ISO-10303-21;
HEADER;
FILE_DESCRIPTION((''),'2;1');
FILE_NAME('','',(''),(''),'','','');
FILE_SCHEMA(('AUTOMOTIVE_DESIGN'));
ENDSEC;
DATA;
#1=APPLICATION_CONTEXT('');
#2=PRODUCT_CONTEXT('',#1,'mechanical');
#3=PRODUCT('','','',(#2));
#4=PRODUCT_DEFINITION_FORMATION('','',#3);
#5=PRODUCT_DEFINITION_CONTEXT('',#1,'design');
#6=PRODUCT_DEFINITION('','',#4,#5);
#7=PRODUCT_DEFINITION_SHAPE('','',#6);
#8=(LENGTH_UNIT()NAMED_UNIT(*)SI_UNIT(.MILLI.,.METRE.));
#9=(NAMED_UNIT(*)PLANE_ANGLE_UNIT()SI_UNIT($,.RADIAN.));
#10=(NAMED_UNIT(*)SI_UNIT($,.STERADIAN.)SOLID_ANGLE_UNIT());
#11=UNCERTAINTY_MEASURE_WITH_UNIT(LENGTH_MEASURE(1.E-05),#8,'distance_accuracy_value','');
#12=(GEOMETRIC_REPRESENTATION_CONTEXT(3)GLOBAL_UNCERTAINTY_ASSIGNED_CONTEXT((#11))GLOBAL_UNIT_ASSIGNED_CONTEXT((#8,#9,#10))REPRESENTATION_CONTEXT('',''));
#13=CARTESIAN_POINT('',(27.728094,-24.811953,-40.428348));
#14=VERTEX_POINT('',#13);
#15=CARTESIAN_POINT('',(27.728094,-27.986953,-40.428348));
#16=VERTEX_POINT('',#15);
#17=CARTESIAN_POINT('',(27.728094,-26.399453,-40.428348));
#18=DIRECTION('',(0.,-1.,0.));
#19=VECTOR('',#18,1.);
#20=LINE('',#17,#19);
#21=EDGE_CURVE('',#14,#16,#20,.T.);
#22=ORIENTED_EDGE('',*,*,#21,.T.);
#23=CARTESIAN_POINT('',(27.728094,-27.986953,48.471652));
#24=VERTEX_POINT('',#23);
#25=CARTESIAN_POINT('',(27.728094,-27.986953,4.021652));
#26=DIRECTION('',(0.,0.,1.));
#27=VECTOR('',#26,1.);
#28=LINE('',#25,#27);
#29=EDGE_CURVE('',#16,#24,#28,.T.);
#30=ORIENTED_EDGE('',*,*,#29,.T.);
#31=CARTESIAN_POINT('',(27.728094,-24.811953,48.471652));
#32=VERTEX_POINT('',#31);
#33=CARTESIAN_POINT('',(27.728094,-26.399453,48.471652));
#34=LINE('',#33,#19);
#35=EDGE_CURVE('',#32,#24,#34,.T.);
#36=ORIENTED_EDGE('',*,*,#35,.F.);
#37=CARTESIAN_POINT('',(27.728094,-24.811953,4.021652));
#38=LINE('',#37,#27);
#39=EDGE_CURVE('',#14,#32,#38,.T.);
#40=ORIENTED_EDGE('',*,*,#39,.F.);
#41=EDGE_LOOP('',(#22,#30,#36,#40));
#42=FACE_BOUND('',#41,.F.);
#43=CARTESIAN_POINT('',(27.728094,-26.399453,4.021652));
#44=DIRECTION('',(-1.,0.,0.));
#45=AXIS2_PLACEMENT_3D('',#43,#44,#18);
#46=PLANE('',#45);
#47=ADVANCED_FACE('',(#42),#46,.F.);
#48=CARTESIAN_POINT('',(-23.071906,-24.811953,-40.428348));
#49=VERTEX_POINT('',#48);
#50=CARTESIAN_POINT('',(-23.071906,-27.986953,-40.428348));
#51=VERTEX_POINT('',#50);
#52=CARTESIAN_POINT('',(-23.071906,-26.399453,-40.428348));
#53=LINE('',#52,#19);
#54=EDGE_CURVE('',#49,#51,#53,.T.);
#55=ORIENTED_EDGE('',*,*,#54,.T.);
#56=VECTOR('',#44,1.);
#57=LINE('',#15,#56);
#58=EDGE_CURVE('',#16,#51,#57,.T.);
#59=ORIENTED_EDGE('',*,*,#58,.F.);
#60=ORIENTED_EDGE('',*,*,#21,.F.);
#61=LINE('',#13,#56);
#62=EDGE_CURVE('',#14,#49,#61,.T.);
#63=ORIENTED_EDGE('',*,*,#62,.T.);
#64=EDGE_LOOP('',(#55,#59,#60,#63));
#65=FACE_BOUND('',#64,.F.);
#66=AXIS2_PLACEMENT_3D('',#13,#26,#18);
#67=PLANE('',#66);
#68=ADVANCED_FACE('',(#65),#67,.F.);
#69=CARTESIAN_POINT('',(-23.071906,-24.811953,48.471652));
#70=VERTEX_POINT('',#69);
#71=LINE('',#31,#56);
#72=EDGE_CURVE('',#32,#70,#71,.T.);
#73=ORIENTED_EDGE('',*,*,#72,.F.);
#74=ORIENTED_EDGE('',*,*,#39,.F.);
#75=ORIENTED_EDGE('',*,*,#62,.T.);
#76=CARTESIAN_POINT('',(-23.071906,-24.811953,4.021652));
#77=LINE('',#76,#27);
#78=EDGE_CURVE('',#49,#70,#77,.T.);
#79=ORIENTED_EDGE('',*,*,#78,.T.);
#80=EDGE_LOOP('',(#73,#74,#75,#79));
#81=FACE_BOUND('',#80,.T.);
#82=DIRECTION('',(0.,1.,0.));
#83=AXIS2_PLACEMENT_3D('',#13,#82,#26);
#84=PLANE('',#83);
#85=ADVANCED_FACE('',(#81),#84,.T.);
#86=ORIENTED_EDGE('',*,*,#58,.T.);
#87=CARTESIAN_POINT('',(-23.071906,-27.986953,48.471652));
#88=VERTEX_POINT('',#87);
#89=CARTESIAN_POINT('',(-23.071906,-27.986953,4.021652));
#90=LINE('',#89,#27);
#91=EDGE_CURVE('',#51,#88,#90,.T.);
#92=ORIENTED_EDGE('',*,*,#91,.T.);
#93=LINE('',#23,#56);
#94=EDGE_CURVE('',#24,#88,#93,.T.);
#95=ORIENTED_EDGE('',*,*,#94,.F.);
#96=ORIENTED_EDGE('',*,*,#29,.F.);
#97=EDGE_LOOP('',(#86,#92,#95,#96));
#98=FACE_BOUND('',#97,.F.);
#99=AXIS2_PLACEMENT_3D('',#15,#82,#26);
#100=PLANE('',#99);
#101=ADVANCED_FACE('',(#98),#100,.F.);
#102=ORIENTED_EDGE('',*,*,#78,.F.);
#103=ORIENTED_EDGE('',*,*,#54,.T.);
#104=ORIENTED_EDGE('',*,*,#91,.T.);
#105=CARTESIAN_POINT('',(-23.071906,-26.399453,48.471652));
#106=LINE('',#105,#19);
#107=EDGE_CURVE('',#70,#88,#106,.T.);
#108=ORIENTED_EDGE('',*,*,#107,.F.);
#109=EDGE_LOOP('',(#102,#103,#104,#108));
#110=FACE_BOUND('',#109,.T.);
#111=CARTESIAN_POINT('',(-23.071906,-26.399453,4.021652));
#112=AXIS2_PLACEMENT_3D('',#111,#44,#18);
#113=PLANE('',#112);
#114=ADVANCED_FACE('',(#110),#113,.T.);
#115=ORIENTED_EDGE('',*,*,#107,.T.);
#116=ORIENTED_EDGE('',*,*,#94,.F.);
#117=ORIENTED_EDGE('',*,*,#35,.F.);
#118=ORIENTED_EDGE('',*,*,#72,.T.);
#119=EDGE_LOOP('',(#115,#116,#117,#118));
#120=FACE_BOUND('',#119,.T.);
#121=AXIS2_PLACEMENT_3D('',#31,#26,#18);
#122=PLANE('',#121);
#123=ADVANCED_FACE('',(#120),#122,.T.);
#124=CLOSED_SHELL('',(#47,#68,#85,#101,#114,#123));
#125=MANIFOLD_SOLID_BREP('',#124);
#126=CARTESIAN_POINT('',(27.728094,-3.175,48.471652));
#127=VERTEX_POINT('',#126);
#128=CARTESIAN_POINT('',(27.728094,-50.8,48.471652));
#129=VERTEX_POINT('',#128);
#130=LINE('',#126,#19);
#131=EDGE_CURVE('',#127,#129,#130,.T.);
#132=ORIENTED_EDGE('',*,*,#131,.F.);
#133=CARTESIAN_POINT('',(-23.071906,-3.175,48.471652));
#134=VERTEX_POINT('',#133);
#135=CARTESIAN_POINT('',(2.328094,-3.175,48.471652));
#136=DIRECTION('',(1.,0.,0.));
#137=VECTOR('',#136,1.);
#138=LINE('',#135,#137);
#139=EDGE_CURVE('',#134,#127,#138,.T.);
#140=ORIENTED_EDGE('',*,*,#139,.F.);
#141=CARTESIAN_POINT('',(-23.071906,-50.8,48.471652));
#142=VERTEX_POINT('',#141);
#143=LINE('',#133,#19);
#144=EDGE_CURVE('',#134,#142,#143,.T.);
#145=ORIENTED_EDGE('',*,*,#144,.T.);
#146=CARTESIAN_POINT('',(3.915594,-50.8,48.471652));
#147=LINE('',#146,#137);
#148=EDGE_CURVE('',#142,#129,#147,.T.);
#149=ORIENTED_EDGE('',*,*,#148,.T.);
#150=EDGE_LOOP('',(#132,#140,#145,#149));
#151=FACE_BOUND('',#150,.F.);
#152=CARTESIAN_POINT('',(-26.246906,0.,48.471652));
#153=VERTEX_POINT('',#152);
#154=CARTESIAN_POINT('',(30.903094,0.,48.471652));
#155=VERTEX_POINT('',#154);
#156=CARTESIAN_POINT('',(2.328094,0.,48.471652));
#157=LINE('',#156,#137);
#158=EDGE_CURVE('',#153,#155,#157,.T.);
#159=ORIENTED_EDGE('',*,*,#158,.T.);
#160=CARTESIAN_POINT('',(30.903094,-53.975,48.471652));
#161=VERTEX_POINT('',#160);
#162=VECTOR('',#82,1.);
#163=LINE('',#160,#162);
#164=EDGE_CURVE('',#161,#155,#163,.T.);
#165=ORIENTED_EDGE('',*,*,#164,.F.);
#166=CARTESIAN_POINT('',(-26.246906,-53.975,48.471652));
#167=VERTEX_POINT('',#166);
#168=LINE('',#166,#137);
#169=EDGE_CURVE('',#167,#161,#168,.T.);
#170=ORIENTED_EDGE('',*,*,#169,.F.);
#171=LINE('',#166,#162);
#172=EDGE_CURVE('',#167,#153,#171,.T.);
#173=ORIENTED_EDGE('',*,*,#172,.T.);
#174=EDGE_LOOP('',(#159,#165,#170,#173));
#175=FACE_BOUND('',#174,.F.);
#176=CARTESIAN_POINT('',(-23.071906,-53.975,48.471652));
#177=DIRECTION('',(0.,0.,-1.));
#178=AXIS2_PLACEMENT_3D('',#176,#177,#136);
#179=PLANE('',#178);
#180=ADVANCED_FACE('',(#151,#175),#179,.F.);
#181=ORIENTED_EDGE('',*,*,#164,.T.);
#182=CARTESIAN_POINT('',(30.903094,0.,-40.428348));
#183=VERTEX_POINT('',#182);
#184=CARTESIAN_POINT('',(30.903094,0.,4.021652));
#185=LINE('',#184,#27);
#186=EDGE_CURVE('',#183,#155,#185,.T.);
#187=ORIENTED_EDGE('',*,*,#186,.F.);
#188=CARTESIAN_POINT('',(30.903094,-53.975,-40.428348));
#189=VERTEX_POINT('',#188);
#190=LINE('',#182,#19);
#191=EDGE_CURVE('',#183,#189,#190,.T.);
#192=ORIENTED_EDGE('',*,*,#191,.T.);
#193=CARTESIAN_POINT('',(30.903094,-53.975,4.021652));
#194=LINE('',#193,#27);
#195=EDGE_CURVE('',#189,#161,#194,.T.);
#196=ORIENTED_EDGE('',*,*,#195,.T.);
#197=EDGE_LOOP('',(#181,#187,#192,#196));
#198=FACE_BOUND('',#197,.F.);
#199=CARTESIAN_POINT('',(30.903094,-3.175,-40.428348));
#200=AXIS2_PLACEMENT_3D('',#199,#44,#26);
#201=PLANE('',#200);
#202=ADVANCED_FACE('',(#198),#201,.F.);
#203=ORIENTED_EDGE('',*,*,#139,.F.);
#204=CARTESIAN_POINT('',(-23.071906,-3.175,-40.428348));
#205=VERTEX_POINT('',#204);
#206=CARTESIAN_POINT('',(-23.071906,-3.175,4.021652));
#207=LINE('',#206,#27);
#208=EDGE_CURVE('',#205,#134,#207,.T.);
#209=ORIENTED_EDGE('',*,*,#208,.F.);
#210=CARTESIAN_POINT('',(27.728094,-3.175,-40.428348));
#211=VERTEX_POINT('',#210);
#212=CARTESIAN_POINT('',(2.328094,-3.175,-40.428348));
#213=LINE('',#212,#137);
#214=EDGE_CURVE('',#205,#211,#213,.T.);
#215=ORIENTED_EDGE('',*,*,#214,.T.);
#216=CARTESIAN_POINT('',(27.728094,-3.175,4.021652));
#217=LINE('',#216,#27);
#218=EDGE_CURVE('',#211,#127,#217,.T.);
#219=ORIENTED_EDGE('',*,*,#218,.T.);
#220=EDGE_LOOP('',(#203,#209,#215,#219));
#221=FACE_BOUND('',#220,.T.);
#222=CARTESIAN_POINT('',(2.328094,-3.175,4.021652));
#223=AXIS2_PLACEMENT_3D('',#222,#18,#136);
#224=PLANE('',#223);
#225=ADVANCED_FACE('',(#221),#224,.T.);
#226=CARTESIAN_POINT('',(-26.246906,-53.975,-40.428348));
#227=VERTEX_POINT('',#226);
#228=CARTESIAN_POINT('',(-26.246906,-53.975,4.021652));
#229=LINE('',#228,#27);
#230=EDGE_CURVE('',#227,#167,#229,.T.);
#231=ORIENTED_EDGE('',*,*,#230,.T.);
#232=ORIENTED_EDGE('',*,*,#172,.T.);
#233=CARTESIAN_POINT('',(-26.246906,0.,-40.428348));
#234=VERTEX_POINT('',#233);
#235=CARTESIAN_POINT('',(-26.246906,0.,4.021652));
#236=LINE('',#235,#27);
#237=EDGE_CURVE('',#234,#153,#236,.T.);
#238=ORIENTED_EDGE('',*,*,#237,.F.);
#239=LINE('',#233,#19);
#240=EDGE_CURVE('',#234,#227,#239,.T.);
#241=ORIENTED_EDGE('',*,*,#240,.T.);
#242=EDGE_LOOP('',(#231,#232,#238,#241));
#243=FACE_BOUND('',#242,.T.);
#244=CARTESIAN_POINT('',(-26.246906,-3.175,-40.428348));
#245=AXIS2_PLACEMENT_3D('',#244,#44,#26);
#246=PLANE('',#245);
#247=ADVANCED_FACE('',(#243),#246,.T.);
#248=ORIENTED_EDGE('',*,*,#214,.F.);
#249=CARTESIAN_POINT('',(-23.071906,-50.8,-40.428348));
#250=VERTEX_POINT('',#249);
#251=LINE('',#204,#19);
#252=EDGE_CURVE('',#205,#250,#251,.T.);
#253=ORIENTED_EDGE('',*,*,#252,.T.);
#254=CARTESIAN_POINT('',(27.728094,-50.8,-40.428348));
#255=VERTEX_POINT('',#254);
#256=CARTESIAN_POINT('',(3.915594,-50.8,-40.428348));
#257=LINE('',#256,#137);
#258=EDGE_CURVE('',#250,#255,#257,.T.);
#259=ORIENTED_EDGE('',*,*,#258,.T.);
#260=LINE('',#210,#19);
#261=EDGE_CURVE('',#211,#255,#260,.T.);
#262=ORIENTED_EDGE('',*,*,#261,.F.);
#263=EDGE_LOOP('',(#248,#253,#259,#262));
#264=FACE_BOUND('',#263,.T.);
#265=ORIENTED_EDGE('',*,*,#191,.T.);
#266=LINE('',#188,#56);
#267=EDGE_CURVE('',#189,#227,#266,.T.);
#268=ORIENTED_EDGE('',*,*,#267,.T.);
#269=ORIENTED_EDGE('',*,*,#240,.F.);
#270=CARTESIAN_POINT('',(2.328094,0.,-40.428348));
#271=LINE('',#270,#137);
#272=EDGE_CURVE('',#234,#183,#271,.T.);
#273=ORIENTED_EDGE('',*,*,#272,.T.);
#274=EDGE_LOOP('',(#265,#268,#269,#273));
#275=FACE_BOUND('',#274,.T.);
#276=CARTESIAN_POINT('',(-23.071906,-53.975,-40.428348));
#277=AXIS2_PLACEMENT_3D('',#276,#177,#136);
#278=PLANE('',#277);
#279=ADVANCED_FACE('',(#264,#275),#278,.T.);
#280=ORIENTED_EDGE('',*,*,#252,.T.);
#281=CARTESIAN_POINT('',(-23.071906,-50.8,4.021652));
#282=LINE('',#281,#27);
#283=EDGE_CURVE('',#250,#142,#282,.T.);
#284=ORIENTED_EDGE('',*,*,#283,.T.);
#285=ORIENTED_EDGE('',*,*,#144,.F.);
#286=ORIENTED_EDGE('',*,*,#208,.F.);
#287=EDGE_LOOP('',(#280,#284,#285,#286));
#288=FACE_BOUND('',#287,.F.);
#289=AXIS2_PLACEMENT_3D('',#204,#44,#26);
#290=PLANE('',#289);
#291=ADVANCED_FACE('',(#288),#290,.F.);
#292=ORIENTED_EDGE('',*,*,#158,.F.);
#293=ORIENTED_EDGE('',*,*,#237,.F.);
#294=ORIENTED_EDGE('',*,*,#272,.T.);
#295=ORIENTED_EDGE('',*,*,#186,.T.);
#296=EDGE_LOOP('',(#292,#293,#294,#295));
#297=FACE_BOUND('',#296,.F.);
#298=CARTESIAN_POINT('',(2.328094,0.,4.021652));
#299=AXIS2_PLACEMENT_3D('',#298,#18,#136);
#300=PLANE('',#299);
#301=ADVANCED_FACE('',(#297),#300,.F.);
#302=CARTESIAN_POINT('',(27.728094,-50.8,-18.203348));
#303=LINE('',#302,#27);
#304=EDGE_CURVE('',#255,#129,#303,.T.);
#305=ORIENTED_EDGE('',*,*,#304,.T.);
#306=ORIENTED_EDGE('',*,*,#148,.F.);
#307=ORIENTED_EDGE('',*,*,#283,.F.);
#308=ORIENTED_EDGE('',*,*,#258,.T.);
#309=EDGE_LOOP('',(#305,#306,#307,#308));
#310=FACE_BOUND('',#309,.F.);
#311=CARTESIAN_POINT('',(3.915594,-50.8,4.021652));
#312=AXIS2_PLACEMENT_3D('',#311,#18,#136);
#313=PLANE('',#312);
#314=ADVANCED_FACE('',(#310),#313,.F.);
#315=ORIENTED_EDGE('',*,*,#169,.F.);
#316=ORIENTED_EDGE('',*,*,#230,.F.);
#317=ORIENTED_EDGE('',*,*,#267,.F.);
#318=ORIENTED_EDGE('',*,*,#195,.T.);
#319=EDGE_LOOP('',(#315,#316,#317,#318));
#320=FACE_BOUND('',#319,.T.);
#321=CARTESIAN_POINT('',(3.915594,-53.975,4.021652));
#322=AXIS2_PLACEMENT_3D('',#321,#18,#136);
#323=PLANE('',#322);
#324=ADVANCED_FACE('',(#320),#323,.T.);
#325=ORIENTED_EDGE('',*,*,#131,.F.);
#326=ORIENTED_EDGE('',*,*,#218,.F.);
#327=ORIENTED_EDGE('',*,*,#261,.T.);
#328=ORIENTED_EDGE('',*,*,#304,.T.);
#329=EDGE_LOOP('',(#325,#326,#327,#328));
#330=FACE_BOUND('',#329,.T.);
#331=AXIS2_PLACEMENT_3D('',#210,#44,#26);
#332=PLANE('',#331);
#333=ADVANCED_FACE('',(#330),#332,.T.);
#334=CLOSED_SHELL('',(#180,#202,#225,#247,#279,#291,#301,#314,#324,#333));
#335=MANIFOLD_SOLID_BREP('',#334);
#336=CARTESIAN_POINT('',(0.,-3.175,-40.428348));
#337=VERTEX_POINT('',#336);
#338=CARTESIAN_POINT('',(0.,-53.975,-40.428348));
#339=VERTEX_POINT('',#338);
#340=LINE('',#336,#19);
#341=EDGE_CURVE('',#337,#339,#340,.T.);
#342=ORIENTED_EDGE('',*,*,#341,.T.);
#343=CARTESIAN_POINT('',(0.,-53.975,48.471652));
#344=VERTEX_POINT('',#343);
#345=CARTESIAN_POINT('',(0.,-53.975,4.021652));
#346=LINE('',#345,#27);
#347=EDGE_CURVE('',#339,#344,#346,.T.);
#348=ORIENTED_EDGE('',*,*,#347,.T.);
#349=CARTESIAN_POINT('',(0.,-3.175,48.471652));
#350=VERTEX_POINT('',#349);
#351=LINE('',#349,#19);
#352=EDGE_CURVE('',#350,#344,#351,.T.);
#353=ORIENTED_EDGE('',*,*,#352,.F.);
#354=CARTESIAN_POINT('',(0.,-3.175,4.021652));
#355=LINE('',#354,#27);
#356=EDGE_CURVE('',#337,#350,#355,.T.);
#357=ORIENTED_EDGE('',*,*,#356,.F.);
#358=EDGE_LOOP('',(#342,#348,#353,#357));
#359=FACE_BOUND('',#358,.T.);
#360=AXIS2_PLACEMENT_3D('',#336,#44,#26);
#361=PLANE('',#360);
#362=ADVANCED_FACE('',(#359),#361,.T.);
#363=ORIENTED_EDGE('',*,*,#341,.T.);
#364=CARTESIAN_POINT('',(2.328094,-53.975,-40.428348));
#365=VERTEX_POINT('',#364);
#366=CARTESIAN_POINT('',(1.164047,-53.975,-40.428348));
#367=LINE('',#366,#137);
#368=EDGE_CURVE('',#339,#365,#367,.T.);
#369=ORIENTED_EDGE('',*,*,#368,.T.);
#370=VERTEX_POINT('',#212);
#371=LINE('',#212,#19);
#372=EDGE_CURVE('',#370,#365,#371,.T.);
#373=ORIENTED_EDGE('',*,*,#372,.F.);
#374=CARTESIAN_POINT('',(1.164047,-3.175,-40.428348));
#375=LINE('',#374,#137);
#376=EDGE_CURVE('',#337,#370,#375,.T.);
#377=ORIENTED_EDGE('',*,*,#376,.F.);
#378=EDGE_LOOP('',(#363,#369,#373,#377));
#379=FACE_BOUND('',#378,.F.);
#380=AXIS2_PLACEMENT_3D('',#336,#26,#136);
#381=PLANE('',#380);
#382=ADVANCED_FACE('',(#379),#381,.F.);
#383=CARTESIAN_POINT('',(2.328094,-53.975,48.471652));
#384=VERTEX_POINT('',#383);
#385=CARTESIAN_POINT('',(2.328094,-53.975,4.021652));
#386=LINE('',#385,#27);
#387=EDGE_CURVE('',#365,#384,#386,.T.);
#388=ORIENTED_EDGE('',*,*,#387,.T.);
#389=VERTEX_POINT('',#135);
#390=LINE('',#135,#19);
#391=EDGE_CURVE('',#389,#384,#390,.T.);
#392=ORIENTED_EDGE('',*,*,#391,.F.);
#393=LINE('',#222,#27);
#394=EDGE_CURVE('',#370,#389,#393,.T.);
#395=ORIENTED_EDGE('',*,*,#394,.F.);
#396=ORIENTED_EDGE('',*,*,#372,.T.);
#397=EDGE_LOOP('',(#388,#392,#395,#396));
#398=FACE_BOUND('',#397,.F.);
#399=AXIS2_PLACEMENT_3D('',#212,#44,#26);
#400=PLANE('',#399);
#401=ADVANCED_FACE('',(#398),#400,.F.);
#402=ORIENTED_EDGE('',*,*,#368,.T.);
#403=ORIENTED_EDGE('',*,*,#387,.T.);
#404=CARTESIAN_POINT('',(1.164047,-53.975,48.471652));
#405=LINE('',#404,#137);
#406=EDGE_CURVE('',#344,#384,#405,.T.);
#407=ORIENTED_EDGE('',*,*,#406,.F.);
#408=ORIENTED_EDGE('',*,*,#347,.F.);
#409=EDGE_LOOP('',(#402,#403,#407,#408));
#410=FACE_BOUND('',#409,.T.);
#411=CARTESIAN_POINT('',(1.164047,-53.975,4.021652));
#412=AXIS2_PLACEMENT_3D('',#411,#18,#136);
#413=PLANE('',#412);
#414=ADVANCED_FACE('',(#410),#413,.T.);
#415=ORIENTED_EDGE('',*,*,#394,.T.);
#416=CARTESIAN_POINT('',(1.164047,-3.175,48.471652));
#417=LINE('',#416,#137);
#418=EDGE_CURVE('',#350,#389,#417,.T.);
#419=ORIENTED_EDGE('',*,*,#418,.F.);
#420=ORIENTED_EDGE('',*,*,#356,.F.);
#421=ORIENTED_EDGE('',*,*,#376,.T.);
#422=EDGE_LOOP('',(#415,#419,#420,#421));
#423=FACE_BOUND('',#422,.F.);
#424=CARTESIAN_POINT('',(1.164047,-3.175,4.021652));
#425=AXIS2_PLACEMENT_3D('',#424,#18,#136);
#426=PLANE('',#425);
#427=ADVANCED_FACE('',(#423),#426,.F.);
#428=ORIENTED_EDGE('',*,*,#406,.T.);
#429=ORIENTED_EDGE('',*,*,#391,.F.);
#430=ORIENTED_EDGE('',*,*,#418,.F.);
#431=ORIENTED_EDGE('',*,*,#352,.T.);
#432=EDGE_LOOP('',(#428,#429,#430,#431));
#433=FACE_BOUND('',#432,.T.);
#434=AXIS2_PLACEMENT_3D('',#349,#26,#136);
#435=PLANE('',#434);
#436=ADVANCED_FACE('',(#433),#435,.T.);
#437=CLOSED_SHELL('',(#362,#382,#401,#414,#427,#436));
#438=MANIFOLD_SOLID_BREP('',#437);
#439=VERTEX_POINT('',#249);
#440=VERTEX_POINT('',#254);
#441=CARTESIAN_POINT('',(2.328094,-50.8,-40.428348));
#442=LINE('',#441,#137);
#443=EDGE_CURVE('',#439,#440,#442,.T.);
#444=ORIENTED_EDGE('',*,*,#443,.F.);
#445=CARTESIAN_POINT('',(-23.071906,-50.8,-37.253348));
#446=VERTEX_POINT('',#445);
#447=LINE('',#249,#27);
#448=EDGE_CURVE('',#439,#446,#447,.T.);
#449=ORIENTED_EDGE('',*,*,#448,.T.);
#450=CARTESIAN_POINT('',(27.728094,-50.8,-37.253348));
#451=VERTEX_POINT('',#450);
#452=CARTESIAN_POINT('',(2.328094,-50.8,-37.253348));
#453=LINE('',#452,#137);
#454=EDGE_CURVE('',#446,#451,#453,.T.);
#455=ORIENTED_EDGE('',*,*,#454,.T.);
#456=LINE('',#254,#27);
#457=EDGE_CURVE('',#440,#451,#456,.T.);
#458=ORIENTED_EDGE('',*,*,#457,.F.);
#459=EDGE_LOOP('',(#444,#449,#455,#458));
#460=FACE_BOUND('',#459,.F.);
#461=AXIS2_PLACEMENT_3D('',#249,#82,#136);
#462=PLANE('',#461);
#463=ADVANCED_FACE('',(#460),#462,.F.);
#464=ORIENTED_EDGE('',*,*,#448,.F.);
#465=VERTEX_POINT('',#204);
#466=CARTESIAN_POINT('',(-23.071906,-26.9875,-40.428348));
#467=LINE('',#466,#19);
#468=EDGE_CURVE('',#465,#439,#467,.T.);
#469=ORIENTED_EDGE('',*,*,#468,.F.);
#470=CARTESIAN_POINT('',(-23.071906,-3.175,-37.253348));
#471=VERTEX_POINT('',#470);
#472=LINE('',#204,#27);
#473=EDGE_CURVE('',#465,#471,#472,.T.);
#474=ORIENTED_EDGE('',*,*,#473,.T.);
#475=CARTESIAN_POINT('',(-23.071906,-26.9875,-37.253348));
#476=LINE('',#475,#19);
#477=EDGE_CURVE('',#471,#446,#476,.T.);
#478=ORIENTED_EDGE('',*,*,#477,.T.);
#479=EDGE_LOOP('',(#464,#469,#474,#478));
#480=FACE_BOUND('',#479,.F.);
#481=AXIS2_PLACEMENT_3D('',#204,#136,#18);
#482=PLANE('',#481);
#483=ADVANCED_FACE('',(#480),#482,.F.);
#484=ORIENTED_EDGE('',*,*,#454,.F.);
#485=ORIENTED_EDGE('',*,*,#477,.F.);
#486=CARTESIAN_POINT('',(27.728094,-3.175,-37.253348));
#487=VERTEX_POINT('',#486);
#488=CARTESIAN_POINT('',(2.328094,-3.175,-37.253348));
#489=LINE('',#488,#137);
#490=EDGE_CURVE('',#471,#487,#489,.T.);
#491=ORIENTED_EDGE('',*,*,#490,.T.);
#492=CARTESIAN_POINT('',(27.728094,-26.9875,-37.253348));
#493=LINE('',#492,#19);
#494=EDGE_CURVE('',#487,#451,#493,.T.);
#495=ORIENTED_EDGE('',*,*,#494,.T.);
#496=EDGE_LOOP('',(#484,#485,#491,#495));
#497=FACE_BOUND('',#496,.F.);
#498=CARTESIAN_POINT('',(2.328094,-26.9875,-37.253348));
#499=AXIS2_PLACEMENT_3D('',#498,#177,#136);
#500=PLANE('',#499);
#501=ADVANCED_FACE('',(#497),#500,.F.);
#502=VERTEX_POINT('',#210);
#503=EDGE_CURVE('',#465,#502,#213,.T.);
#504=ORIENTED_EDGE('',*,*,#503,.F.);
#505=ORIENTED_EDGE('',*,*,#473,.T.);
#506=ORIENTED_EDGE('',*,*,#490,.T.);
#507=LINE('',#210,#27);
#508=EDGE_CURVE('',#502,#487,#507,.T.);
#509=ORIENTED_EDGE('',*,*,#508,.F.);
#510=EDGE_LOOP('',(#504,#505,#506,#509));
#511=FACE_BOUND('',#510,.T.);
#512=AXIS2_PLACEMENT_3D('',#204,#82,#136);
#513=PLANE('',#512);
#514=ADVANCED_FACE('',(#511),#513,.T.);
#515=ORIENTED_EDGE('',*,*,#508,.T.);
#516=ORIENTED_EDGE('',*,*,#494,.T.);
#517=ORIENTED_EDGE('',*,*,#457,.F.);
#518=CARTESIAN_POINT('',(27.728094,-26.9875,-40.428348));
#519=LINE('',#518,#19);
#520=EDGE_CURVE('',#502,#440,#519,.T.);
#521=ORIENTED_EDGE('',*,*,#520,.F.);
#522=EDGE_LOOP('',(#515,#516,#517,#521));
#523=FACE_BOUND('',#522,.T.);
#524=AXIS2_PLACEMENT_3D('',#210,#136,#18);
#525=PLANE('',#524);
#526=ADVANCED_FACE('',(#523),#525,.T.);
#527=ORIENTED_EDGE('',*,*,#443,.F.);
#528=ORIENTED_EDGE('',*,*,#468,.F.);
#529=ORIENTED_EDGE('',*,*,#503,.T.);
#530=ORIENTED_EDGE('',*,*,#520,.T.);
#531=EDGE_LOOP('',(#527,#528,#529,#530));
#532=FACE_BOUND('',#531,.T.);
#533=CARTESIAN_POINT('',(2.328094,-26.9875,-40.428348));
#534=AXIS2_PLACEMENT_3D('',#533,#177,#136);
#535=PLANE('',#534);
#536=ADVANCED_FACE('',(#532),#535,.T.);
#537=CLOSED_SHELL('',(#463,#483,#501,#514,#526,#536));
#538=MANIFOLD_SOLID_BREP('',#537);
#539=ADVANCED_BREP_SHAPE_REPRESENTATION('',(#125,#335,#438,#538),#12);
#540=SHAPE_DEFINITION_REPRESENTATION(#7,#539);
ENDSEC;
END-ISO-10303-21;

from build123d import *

# Parameters (mm, degrees)
F0_W      = 57.15
F0_H      = 88.9
F1_DEPTH  = 3.175
F2_W      = 3.175
F2_H      = 88.9
F3_DEPTH  = 50.8
F4_W      = 3.175
F4_H      = 88.9
F5_DEPTH  = 50.8
F6_W      = 53.975
F6_H      = 88.9
F7_DEPTH  = 3.175
F8_W      = 50.8
F8_H      = 47.625
F9_DEPTH  = 3.175
F10_W     = 2.328094095
F10_H     = 88.9
F11_DEPTH = 50.8
F12_W     = 3.175
F12_H     = 88.9
F13_DEPTH = 50.8


with BuildPart() as f1:
    # F0 (on Front) → F1 (new body)
    with BuildSketch(Plane.XZ):
        with Locations((2.328094095, 4.0216516092)):
            Rectangle(F0_W, F0_H)
    extrude(amount=F1_DEPTH)

    # F2 (on face) → F3 (join)
    with BuildSketch(Plane.XZ.offset(3.175)):
        with Locations((-24.659405905, 4.0216516092)):
            Rectangle(F2_W, F2_H)
    extrude(amount=F3_DEPTH)

    # F4 (on face) → F5 (join)
    with BuildSketch(Plane.XZ.offset(3.175)):
        with Locations((29.315594095, 4.0216516092)):
            Rectangle(F4_W, F4_H)
    extrude(amount=F5_DEPTH)

    # F6 (on face) → F7 (join)
    with BuildSketch(Plane.XZ.offset(53.975)):
        with Locations((3.915594095, 4.0216516092)):
            Rectangle(F6_W, F6_H)
    extrude(amount=-F7_DEPTH)


with BuildPart() as f9:
    # F8 (on face) → F9 (new body)
    with BuildSketch(Plane(origin=(0, 0, -40.4283483908), x_dir=(1, 0, 0), z_dir=(0, 0, -1))):
        with Locations((2.328094095, 26.9875)):
            Rectangle(F8_W, F8_H)
    extrude(amount=-F9_DEPTH)


with BuildPart() as f11:
    # F10 (on face) → F11 (new body)
    with BuildSketch(Plane.XZ.offset(3.175)):
        with Locations((1.1640470475, 4.0216516092)):
            Rectangle(F10_W, F10_H)
    extrude(amount=F11_DEPTH)


with BuildPart() as f13:
    # F12 (on face) → F13 (new body)
    with BuildSketch(Plane(origin=(27.728094095, 0, 0), x_dir=(0, -1, 0), z_dir=(-1, 0, 0))):
        with Locations((26.3994533062, 4.0216516092)):
            Rectangle(F12_W, F12_H)
    extrude(amount=F13_DEPTH)


solid = Compound([f1.part, f9.part, f11.part, f13.part])
